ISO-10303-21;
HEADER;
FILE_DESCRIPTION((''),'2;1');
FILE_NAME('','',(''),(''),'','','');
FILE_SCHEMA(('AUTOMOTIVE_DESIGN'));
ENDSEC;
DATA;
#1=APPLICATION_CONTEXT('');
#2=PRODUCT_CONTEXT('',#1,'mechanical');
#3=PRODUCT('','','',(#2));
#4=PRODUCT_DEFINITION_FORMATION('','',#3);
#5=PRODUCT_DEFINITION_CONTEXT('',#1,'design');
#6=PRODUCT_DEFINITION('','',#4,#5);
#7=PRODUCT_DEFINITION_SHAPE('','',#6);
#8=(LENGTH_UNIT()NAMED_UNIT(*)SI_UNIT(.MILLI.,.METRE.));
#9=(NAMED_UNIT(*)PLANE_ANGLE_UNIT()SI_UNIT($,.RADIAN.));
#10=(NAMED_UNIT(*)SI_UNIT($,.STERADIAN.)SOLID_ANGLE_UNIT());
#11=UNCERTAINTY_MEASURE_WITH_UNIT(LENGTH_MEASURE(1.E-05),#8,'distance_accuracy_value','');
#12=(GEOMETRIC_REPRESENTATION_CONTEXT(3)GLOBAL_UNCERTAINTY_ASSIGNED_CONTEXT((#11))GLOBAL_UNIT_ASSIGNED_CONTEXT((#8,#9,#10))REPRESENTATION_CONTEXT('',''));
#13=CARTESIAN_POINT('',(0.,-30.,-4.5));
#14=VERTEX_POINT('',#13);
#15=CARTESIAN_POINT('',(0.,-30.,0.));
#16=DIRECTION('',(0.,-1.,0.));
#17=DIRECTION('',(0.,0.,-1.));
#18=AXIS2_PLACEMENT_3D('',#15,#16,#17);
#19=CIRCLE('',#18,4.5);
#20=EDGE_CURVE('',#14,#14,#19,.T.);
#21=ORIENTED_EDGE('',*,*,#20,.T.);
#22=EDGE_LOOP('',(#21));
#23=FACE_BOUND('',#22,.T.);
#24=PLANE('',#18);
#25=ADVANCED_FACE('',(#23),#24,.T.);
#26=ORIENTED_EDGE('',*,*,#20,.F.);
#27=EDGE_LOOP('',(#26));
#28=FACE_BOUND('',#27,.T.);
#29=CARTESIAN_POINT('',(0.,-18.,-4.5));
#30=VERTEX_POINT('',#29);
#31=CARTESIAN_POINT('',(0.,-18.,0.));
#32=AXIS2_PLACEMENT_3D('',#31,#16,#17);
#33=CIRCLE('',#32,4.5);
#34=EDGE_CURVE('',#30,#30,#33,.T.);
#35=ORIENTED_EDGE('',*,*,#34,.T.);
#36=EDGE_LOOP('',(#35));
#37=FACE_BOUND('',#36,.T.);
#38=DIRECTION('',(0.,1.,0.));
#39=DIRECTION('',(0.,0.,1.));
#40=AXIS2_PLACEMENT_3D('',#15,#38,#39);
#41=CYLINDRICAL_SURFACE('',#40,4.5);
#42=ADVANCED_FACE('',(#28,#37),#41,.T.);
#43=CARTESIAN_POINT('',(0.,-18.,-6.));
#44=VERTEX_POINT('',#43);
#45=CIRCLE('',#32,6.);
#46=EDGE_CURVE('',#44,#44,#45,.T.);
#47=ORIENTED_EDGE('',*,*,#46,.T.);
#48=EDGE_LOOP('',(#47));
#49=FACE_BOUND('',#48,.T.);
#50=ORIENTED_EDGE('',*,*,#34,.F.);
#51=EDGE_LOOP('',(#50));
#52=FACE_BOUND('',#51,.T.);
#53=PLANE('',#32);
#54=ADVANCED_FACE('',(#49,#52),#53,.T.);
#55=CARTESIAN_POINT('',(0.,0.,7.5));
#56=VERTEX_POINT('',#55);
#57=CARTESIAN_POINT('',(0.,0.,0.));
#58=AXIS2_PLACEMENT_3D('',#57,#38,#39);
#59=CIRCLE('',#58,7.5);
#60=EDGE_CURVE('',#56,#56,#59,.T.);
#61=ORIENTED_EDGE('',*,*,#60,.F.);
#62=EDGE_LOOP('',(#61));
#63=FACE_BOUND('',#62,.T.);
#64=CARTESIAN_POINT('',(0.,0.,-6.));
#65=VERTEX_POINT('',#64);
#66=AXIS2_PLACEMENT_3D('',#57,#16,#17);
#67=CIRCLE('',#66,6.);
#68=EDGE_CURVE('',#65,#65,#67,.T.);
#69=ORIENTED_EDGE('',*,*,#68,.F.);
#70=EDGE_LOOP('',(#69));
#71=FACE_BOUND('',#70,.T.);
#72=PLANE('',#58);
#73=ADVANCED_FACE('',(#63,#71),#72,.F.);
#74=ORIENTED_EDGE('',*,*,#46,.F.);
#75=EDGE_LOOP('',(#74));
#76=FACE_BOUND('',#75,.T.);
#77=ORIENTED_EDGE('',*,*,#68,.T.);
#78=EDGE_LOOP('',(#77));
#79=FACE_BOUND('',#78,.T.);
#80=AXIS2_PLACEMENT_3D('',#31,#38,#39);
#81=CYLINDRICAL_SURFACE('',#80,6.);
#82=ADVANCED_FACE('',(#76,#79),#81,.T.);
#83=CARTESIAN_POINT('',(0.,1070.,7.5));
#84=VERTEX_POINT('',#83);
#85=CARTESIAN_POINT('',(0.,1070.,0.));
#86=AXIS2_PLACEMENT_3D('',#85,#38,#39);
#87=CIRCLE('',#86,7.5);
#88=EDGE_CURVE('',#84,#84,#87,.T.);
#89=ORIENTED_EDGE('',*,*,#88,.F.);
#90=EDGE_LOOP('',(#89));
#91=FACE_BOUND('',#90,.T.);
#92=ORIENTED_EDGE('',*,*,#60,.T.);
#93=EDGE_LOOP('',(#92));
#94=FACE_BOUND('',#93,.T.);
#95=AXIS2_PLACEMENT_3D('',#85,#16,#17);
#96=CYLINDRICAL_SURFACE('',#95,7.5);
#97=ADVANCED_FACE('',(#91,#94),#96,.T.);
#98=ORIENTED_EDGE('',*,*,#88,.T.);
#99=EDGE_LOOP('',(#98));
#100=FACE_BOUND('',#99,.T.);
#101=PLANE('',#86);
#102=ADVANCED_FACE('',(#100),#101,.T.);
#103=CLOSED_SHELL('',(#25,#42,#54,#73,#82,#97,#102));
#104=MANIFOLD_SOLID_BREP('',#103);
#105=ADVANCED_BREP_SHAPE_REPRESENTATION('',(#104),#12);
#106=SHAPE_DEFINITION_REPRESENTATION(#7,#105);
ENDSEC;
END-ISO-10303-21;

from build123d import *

# Parameters (mm, degrees)
SKETCH1_R           = 7.5
BOSS_EXTRUDE1_DEPTH = 1070
SKETCH_1_R          = 6
EXTRUDE_1_DEPTH     = 18
SKETCH_2_R          = 4.5
EXTRUDE_2_DEPTH     = 12


with BuildPart() as part:
    # Sketch1 → Boss-Extrude1 (new body)
    with BuildSketch(Plane(origin=(0, 0, 0), x_dir=(1, 0, 0), z_dir=(0, 1, 0))):
        Circle(SKETCH1_R)
    extrude(amount=BOSS_EXTRUDE1_DEPTH)

    # Эскиз1 → Бобышка-Вытянуть1 (add)
    with BuildSketch(Plane.XZ):
        Circle(SKETCH_1_R)
    extrude(amount=EXTRUDE_1_DEPTH)

    # Эскиз2 → Бобышка-Вытянуть2 (add)
    with BuildSketch(Plane.XZ.offset(18)):
        Circle(SKETCH_2_R)
    extrude(amount=EXTRUDE_2_DEPTH)


solid = part.part
